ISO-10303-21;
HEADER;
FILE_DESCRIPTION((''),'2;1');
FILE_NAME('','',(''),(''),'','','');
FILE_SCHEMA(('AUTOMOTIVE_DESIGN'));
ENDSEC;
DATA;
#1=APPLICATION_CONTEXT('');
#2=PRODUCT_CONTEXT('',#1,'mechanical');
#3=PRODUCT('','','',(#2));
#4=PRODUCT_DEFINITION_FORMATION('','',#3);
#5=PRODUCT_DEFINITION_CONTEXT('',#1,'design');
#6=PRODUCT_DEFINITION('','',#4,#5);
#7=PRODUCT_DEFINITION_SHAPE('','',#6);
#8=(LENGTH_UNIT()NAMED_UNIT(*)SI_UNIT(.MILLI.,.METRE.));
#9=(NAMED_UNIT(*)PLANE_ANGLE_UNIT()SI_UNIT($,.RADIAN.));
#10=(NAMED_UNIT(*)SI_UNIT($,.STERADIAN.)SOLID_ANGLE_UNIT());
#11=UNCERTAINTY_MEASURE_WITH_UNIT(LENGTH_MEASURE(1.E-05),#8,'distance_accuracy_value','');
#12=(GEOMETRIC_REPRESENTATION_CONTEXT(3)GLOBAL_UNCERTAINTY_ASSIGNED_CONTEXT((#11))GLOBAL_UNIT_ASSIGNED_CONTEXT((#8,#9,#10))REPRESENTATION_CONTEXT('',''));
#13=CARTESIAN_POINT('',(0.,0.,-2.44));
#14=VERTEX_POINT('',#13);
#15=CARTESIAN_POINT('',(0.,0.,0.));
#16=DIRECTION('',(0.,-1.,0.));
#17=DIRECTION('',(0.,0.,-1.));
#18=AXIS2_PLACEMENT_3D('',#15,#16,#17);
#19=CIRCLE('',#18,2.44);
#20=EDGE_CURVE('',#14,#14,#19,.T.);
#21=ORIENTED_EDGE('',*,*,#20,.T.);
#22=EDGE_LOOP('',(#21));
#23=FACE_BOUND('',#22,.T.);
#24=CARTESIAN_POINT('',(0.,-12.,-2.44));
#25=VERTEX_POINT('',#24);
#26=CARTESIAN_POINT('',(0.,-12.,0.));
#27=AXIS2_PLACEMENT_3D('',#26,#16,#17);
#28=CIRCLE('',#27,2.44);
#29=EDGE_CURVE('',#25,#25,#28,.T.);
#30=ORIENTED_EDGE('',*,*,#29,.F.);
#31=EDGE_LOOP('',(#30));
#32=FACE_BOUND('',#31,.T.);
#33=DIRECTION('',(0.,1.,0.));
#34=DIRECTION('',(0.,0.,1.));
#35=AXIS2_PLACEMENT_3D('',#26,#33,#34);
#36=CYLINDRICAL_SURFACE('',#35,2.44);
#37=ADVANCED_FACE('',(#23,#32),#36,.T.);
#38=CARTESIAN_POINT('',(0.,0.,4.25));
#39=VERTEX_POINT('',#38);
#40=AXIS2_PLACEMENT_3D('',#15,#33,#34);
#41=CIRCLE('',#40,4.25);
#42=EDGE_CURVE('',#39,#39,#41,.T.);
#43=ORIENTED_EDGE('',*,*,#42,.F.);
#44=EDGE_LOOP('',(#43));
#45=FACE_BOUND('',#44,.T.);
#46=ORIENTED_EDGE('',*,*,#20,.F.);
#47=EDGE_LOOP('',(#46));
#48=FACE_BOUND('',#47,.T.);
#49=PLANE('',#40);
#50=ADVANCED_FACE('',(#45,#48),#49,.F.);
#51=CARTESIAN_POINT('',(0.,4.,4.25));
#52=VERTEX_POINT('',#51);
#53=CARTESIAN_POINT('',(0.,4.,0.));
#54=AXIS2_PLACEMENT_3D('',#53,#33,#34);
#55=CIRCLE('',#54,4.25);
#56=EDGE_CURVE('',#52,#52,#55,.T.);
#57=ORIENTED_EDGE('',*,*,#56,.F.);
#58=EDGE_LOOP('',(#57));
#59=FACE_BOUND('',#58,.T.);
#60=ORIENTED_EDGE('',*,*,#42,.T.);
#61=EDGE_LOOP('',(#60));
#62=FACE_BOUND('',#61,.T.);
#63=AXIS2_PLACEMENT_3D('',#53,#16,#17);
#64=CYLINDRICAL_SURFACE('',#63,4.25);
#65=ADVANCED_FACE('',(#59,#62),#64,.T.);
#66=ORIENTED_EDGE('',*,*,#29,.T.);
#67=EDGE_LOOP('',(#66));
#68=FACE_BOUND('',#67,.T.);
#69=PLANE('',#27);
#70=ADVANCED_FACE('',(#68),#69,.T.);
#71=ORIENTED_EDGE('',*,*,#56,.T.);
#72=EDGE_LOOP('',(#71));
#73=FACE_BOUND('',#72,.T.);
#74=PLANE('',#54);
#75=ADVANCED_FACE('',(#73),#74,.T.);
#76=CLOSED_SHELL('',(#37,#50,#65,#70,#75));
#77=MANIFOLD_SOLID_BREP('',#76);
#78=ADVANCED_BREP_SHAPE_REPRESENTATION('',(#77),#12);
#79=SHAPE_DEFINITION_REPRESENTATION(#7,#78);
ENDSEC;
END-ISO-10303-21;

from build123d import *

# Parameters (mm, degrees)
SKETCH1_R           = 4.25
BOSS_EXTRUDE1_DEPTH = 4
SKETCH2_R           = 2.44
BOSS_EXTRUDE2_DEPTH = 12


with BuildPart() as part:
    # Sketch1 → Boss-Extrude1 (new body)
    with BuildSketch(Plane(origin=(0, 0, 0), x_dir=(1, 0, 0), z_dir=(0, 1, 0))):
        Circle(SKETCH1_R)
    extrude(amount=BOSS_EXTRUDE1_DEPTH)

    # Sketch2 → Boss-Extrude2 (add)
    with BuildSketch(Plane.XZ):
        Circle(SKETCH2_R)
    extrude(amount=BOSS_EXTRUDE2_DEPTH)


solid = part.part
